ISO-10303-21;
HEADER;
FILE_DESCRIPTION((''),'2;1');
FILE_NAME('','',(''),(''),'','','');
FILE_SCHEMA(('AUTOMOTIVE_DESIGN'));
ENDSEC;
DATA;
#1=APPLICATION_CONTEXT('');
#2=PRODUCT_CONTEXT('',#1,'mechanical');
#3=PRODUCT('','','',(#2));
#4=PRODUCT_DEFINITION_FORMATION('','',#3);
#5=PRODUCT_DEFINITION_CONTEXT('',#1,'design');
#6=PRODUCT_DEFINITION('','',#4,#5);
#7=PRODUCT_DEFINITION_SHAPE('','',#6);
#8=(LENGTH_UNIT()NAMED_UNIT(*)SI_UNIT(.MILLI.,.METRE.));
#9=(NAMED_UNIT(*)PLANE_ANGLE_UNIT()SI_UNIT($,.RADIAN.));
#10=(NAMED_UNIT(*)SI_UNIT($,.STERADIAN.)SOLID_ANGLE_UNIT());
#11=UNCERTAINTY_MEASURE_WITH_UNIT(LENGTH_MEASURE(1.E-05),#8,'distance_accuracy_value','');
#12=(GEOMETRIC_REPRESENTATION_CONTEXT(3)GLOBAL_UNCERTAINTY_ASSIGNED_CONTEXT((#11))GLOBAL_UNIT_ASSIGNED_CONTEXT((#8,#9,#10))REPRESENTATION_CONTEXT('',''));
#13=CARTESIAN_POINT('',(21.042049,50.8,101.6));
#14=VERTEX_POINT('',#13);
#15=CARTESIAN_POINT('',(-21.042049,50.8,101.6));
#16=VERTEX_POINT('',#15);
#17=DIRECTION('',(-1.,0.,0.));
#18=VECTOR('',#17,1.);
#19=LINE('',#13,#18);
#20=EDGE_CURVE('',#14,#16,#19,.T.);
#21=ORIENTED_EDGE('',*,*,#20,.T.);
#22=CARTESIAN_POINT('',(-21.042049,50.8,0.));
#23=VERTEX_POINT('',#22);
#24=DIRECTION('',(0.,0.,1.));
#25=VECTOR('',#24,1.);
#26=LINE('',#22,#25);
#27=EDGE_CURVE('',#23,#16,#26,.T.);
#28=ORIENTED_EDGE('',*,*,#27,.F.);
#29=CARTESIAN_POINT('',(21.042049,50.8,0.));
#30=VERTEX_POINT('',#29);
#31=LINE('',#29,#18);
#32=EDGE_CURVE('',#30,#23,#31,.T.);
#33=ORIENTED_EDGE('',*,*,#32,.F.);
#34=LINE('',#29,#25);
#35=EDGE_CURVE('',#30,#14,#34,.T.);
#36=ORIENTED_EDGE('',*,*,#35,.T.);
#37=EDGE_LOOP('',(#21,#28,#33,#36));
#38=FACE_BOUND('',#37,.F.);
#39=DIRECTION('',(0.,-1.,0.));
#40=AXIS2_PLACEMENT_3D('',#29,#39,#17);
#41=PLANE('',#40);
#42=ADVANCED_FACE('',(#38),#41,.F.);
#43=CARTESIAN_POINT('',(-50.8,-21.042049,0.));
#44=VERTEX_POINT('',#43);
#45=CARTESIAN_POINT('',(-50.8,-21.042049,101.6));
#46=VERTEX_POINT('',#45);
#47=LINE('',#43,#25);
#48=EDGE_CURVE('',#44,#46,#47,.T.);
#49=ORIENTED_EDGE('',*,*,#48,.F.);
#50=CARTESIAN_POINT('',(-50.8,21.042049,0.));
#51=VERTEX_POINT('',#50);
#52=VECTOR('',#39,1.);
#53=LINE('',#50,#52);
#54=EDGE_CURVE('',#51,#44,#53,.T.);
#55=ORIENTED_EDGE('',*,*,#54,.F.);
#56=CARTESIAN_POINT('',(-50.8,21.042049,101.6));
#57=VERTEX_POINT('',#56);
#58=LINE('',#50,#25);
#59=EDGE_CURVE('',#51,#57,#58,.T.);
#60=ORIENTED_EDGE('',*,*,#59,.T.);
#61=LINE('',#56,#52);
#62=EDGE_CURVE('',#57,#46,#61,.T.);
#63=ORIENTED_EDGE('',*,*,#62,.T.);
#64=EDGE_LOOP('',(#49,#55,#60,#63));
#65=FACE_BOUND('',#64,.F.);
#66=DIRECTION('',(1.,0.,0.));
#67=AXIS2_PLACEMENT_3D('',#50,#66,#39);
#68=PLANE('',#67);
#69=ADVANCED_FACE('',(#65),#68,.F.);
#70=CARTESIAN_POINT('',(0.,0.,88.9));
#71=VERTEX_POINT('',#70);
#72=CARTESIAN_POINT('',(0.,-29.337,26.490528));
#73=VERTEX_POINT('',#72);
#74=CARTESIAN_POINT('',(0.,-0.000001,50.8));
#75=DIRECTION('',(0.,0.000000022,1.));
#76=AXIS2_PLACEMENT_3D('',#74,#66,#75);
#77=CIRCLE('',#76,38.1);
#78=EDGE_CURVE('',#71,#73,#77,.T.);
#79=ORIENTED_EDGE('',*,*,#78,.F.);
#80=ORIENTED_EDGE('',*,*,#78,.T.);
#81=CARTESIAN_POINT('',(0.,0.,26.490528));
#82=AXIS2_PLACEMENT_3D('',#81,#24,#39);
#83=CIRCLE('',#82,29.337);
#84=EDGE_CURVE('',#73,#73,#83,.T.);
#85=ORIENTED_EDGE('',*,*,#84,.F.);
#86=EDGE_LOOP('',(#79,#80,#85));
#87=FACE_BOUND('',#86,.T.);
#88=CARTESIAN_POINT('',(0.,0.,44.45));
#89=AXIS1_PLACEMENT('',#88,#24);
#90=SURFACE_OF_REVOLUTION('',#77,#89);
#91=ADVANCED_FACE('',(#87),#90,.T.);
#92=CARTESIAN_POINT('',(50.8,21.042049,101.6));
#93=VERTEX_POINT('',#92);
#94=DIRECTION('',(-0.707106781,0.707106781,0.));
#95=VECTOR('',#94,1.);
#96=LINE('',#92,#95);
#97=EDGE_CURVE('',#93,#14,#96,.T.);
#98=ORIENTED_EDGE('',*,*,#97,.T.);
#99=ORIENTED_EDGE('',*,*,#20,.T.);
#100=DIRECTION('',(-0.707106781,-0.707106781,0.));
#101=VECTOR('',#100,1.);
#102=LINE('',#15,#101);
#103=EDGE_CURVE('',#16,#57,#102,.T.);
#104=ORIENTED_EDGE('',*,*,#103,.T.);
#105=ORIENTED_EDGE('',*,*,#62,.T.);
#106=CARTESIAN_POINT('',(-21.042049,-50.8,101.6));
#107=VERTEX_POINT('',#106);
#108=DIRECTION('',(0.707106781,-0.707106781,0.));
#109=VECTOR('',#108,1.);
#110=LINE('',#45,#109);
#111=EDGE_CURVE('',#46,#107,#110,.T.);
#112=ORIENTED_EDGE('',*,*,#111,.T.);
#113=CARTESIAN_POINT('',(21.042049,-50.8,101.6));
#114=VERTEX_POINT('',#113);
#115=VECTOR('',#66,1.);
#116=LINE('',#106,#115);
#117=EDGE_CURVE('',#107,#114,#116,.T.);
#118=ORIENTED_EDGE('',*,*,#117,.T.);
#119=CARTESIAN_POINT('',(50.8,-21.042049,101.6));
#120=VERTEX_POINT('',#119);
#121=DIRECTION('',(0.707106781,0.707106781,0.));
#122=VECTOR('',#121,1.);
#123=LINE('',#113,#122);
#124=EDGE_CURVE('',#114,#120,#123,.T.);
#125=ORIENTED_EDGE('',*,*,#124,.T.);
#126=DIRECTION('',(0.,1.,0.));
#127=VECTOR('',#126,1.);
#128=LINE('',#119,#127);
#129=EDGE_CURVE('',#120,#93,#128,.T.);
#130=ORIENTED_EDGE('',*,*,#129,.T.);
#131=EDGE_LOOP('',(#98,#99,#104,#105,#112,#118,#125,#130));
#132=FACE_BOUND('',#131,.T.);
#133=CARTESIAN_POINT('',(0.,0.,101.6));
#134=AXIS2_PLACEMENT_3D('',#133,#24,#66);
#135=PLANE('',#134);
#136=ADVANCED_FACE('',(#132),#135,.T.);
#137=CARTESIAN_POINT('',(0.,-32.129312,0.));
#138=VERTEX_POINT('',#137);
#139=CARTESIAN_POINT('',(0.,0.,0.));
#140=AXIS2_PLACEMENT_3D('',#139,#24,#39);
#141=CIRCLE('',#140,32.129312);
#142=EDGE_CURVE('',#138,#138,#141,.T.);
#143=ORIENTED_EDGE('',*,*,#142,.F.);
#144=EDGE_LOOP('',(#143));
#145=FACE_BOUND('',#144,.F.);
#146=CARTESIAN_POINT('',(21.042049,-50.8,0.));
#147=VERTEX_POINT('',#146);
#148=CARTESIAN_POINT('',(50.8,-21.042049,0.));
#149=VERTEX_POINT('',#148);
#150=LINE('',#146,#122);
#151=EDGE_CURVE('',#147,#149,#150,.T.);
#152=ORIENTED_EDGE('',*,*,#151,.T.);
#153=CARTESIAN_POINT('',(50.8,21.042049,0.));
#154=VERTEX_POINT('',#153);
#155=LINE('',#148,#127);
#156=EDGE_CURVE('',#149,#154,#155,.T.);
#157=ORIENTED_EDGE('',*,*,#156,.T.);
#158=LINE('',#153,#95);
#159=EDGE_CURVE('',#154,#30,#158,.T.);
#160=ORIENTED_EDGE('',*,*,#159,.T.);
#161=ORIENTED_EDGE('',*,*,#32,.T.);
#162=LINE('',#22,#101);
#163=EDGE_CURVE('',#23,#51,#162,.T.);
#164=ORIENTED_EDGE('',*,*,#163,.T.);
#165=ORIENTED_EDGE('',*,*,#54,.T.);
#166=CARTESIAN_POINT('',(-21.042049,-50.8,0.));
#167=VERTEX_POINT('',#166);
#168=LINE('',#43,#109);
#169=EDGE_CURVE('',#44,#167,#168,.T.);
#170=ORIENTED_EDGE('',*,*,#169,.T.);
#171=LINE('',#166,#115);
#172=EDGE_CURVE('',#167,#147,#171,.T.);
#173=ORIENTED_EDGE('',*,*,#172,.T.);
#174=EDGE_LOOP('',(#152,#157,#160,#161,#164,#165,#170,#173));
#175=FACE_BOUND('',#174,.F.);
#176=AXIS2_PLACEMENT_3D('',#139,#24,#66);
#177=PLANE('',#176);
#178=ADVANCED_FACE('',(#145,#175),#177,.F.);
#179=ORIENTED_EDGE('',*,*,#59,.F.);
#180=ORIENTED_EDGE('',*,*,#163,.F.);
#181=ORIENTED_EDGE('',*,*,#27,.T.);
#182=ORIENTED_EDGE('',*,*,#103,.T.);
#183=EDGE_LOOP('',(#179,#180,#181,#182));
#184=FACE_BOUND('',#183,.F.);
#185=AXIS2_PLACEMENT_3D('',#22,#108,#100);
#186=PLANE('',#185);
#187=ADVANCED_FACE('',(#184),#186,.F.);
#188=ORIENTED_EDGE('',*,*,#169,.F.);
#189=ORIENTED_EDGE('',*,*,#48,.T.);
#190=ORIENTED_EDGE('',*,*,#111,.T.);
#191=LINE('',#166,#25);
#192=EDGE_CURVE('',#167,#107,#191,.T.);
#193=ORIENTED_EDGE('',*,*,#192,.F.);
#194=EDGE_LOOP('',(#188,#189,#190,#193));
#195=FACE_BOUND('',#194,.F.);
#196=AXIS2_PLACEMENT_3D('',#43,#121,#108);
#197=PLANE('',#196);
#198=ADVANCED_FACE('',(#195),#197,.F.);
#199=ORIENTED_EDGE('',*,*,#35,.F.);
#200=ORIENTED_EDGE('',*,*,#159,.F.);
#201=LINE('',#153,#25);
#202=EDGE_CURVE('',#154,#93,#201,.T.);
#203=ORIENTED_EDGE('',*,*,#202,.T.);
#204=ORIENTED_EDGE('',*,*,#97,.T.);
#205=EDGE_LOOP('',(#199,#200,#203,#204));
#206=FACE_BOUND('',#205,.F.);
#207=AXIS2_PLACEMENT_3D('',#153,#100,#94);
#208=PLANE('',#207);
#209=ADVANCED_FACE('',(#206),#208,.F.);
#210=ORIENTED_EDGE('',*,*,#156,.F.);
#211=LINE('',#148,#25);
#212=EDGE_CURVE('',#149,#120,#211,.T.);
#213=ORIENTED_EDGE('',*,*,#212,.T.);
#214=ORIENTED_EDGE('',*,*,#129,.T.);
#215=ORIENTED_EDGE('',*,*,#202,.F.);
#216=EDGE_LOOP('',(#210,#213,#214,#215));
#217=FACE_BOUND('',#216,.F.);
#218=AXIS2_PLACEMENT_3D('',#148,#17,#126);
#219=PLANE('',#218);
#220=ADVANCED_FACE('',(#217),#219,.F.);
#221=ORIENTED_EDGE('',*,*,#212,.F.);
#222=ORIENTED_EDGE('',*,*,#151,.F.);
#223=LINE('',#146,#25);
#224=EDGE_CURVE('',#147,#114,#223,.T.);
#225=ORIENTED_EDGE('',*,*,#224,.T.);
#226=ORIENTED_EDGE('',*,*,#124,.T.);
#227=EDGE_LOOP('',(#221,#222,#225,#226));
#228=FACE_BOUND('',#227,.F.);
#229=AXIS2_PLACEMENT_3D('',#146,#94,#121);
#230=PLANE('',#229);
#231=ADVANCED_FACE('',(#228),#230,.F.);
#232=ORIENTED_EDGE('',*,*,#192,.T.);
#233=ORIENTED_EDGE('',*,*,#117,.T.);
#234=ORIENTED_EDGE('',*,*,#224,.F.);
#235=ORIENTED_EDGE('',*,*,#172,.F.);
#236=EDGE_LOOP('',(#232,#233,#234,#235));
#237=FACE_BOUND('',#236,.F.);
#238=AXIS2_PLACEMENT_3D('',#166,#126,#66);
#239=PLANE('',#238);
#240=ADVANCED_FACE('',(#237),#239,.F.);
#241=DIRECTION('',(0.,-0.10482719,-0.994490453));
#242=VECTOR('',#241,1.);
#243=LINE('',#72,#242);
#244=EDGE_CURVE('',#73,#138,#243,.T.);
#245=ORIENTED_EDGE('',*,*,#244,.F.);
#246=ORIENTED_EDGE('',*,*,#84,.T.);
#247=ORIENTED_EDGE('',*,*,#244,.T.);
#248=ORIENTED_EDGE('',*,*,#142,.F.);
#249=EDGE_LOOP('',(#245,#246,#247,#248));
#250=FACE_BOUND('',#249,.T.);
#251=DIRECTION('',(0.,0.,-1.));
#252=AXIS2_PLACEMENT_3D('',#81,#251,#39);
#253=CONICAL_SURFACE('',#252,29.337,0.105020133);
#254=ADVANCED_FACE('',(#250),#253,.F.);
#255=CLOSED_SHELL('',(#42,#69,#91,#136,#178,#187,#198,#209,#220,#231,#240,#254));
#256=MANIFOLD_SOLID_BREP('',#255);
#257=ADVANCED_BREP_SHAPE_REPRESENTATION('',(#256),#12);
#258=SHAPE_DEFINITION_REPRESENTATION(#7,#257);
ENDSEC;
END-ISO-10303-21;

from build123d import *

# Parameters (mm, degrees)
F1_DEPTH = 101.6


with BuildPart() as f1:
    # F0 (on Top) → F1 (new body)
    with BuildSketch(Plane.XY):
        Polygon((-21.042049, -50.8), (21.042049, -50.8), (50.8, -21.042049), (50.8, 21.042049), (21.042049, 50.8), (-21.042049, 50.8), (-50.8, 21.042049), (-50.8, -21.042049), align=None)
    extrude(amount=F1_DEPTH)

    # F2 (on Right) → F3 (revolve, cut)
    with BuildSketch(Plane.YZ):
        with BuildLine():
            Line((-32.129312, 0), (0, 0))
            Line((0, 0), (0, 88.9))
            ThreePointArc((0, 88.9), (-34.480436, 67.008318), (-29.337, 26.490528))
            Line((-29.337, 26.490528), (-32.129312, 0))
        make_face()
    revolve(axis=Axis((0, 0, 44.45), (0, 0, 1)), mode=Mode.SUBTRACT)


solid = f1.part
